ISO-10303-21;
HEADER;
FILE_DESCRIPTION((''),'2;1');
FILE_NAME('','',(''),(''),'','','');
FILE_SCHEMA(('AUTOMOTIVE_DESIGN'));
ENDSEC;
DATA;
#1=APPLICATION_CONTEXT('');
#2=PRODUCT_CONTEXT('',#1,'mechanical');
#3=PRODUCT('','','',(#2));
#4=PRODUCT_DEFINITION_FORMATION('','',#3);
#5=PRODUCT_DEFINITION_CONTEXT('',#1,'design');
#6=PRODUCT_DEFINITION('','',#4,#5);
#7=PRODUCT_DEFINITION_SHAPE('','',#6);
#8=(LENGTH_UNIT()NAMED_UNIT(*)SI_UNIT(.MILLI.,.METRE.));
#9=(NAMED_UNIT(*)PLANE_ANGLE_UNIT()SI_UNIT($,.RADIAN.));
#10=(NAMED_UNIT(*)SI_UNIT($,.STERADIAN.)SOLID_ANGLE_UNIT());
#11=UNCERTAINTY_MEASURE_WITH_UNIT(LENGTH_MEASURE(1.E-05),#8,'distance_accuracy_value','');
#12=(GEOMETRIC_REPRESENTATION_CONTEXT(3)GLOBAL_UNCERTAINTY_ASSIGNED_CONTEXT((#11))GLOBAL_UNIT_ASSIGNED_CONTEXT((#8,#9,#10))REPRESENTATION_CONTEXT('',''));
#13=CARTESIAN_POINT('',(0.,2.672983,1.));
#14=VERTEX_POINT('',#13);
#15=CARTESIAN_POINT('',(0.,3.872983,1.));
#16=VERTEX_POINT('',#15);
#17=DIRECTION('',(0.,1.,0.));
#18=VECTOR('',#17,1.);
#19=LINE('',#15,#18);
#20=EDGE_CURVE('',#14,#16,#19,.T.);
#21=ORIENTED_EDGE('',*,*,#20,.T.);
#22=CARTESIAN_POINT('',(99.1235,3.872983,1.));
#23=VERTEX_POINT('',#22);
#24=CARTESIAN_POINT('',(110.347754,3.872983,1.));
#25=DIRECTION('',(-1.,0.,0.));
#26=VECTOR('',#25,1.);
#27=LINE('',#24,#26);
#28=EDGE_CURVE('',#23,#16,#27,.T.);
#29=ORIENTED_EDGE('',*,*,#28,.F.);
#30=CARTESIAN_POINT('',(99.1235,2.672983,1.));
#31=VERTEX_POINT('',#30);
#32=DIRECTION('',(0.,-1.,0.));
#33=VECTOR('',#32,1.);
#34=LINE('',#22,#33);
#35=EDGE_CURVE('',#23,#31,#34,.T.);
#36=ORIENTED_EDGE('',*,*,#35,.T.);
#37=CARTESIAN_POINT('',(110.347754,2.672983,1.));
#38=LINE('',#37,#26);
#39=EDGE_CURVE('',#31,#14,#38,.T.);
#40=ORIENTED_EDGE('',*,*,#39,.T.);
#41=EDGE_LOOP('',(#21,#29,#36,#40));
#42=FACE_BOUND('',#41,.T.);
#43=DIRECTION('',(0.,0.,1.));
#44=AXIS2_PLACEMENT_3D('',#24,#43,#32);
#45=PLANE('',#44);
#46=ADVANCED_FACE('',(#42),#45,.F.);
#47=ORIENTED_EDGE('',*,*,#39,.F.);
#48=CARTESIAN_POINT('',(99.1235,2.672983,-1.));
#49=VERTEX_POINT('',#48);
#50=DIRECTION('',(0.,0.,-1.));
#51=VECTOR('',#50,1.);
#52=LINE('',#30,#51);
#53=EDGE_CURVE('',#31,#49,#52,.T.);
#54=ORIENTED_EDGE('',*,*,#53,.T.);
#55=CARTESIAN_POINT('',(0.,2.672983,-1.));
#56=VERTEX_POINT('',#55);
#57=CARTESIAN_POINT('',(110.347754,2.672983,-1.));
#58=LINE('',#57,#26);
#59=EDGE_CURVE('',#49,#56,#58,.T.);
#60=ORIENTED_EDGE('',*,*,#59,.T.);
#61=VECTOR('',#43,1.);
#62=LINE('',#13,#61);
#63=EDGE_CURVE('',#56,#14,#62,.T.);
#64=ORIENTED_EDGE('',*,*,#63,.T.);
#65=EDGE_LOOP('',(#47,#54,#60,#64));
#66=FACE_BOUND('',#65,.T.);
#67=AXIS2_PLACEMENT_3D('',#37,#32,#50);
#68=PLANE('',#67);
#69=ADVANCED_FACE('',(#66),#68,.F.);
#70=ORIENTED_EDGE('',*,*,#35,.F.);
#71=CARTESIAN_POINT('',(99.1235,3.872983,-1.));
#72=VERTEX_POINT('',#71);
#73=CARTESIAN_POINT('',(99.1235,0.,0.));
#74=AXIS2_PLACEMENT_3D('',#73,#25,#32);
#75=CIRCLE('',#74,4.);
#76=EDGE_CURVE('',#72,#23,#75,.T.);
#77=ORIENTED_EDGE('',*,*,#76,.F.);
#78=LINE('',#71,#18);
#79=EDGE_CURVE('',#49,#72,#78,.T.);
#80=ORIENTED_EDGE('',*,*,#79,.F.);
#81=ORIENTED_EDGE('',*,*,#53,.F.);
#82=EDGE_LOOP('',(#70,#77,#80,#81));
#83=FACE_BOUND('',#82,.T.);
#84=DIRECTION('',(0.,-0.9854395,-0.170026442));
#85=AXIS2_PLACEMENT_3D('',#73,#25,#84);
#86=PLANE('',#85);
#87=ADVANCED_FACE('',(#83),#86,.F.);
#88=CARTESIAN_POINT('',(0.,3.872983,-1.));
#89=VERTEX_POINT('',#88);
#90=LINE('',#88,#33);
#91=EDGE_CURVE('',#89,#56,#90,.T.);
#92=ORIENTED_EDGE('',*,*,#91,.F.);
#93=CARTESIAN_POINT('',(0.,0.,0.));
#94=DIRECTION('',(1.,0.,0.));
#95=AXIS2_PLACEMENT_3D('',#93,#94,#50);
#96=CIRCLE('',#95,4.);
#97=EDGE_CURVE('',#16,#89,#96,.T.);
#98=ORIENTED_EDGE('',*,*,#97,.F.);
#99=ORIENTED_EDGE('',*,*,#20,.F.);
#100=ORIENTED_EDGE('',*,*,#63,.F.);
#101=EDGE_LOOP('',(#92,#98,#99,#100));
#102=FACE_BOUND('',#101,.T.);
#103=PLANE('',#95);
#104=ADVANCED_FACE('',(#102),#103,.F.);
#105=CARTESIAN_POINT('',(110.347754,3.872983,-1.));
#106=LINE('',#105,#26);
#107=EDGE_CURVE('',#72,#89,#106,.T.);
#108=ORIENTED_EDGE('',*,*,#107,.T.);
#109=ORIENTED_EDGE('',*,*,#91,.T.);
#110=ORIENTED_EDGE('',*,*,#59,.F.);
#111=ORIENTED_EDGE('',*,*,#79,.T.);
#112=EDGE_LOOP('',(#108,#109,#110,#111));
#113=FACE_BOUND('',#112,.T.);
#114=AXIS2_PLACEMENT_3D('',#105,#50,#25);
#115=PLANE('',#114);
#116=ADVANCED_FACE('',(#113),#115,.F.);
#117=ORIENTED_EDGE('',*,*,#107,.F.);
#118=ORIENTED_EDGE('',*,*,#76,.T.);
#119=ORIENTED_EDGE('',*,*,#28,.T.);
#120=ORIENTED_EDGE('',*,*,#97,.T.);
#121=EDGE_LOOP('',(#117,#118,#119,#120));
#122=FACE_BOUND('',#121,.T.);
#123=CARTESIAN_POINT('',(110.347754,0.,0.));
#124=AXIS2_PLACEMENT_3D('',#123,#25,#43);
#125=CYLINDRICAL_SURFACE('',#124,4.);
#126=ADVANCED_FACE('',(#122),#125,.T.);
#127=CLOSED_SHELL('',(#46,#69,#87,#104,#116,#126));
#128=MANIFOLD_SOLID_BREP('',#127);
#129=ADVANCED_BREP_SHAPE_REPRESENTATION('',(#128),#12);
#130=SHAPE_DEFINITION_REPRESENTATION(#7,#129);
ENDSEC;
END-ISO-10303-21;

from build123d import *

# Parameters (mm, degrees)
BOSS_EXTRUDE1_DEPTH = 99.1235


with BuildPart() as part:
    # Sketch1 → Boss-Extrude1 (new body)
    with BuildSketch(Plane(origin=(0, 0, 0), x_dir=(0, 0, -1), z_dir=(1, 0, 0))):
        with BuildLine():
            Line((-1, 3.872983347), (-1, 2.672983347))
            Line((-1, 2.672983347), (1, 2.672983347))
            Line((1, 2.672983347), (1, 3.872983347))
            ThreePointArc((1, 3.872983347), (0, -4.000000001), (-1, 3.872983347))
        make_face()
    extrude(amount=BOSS_EXTRUDE1_DEPTH)


solid = part.part
